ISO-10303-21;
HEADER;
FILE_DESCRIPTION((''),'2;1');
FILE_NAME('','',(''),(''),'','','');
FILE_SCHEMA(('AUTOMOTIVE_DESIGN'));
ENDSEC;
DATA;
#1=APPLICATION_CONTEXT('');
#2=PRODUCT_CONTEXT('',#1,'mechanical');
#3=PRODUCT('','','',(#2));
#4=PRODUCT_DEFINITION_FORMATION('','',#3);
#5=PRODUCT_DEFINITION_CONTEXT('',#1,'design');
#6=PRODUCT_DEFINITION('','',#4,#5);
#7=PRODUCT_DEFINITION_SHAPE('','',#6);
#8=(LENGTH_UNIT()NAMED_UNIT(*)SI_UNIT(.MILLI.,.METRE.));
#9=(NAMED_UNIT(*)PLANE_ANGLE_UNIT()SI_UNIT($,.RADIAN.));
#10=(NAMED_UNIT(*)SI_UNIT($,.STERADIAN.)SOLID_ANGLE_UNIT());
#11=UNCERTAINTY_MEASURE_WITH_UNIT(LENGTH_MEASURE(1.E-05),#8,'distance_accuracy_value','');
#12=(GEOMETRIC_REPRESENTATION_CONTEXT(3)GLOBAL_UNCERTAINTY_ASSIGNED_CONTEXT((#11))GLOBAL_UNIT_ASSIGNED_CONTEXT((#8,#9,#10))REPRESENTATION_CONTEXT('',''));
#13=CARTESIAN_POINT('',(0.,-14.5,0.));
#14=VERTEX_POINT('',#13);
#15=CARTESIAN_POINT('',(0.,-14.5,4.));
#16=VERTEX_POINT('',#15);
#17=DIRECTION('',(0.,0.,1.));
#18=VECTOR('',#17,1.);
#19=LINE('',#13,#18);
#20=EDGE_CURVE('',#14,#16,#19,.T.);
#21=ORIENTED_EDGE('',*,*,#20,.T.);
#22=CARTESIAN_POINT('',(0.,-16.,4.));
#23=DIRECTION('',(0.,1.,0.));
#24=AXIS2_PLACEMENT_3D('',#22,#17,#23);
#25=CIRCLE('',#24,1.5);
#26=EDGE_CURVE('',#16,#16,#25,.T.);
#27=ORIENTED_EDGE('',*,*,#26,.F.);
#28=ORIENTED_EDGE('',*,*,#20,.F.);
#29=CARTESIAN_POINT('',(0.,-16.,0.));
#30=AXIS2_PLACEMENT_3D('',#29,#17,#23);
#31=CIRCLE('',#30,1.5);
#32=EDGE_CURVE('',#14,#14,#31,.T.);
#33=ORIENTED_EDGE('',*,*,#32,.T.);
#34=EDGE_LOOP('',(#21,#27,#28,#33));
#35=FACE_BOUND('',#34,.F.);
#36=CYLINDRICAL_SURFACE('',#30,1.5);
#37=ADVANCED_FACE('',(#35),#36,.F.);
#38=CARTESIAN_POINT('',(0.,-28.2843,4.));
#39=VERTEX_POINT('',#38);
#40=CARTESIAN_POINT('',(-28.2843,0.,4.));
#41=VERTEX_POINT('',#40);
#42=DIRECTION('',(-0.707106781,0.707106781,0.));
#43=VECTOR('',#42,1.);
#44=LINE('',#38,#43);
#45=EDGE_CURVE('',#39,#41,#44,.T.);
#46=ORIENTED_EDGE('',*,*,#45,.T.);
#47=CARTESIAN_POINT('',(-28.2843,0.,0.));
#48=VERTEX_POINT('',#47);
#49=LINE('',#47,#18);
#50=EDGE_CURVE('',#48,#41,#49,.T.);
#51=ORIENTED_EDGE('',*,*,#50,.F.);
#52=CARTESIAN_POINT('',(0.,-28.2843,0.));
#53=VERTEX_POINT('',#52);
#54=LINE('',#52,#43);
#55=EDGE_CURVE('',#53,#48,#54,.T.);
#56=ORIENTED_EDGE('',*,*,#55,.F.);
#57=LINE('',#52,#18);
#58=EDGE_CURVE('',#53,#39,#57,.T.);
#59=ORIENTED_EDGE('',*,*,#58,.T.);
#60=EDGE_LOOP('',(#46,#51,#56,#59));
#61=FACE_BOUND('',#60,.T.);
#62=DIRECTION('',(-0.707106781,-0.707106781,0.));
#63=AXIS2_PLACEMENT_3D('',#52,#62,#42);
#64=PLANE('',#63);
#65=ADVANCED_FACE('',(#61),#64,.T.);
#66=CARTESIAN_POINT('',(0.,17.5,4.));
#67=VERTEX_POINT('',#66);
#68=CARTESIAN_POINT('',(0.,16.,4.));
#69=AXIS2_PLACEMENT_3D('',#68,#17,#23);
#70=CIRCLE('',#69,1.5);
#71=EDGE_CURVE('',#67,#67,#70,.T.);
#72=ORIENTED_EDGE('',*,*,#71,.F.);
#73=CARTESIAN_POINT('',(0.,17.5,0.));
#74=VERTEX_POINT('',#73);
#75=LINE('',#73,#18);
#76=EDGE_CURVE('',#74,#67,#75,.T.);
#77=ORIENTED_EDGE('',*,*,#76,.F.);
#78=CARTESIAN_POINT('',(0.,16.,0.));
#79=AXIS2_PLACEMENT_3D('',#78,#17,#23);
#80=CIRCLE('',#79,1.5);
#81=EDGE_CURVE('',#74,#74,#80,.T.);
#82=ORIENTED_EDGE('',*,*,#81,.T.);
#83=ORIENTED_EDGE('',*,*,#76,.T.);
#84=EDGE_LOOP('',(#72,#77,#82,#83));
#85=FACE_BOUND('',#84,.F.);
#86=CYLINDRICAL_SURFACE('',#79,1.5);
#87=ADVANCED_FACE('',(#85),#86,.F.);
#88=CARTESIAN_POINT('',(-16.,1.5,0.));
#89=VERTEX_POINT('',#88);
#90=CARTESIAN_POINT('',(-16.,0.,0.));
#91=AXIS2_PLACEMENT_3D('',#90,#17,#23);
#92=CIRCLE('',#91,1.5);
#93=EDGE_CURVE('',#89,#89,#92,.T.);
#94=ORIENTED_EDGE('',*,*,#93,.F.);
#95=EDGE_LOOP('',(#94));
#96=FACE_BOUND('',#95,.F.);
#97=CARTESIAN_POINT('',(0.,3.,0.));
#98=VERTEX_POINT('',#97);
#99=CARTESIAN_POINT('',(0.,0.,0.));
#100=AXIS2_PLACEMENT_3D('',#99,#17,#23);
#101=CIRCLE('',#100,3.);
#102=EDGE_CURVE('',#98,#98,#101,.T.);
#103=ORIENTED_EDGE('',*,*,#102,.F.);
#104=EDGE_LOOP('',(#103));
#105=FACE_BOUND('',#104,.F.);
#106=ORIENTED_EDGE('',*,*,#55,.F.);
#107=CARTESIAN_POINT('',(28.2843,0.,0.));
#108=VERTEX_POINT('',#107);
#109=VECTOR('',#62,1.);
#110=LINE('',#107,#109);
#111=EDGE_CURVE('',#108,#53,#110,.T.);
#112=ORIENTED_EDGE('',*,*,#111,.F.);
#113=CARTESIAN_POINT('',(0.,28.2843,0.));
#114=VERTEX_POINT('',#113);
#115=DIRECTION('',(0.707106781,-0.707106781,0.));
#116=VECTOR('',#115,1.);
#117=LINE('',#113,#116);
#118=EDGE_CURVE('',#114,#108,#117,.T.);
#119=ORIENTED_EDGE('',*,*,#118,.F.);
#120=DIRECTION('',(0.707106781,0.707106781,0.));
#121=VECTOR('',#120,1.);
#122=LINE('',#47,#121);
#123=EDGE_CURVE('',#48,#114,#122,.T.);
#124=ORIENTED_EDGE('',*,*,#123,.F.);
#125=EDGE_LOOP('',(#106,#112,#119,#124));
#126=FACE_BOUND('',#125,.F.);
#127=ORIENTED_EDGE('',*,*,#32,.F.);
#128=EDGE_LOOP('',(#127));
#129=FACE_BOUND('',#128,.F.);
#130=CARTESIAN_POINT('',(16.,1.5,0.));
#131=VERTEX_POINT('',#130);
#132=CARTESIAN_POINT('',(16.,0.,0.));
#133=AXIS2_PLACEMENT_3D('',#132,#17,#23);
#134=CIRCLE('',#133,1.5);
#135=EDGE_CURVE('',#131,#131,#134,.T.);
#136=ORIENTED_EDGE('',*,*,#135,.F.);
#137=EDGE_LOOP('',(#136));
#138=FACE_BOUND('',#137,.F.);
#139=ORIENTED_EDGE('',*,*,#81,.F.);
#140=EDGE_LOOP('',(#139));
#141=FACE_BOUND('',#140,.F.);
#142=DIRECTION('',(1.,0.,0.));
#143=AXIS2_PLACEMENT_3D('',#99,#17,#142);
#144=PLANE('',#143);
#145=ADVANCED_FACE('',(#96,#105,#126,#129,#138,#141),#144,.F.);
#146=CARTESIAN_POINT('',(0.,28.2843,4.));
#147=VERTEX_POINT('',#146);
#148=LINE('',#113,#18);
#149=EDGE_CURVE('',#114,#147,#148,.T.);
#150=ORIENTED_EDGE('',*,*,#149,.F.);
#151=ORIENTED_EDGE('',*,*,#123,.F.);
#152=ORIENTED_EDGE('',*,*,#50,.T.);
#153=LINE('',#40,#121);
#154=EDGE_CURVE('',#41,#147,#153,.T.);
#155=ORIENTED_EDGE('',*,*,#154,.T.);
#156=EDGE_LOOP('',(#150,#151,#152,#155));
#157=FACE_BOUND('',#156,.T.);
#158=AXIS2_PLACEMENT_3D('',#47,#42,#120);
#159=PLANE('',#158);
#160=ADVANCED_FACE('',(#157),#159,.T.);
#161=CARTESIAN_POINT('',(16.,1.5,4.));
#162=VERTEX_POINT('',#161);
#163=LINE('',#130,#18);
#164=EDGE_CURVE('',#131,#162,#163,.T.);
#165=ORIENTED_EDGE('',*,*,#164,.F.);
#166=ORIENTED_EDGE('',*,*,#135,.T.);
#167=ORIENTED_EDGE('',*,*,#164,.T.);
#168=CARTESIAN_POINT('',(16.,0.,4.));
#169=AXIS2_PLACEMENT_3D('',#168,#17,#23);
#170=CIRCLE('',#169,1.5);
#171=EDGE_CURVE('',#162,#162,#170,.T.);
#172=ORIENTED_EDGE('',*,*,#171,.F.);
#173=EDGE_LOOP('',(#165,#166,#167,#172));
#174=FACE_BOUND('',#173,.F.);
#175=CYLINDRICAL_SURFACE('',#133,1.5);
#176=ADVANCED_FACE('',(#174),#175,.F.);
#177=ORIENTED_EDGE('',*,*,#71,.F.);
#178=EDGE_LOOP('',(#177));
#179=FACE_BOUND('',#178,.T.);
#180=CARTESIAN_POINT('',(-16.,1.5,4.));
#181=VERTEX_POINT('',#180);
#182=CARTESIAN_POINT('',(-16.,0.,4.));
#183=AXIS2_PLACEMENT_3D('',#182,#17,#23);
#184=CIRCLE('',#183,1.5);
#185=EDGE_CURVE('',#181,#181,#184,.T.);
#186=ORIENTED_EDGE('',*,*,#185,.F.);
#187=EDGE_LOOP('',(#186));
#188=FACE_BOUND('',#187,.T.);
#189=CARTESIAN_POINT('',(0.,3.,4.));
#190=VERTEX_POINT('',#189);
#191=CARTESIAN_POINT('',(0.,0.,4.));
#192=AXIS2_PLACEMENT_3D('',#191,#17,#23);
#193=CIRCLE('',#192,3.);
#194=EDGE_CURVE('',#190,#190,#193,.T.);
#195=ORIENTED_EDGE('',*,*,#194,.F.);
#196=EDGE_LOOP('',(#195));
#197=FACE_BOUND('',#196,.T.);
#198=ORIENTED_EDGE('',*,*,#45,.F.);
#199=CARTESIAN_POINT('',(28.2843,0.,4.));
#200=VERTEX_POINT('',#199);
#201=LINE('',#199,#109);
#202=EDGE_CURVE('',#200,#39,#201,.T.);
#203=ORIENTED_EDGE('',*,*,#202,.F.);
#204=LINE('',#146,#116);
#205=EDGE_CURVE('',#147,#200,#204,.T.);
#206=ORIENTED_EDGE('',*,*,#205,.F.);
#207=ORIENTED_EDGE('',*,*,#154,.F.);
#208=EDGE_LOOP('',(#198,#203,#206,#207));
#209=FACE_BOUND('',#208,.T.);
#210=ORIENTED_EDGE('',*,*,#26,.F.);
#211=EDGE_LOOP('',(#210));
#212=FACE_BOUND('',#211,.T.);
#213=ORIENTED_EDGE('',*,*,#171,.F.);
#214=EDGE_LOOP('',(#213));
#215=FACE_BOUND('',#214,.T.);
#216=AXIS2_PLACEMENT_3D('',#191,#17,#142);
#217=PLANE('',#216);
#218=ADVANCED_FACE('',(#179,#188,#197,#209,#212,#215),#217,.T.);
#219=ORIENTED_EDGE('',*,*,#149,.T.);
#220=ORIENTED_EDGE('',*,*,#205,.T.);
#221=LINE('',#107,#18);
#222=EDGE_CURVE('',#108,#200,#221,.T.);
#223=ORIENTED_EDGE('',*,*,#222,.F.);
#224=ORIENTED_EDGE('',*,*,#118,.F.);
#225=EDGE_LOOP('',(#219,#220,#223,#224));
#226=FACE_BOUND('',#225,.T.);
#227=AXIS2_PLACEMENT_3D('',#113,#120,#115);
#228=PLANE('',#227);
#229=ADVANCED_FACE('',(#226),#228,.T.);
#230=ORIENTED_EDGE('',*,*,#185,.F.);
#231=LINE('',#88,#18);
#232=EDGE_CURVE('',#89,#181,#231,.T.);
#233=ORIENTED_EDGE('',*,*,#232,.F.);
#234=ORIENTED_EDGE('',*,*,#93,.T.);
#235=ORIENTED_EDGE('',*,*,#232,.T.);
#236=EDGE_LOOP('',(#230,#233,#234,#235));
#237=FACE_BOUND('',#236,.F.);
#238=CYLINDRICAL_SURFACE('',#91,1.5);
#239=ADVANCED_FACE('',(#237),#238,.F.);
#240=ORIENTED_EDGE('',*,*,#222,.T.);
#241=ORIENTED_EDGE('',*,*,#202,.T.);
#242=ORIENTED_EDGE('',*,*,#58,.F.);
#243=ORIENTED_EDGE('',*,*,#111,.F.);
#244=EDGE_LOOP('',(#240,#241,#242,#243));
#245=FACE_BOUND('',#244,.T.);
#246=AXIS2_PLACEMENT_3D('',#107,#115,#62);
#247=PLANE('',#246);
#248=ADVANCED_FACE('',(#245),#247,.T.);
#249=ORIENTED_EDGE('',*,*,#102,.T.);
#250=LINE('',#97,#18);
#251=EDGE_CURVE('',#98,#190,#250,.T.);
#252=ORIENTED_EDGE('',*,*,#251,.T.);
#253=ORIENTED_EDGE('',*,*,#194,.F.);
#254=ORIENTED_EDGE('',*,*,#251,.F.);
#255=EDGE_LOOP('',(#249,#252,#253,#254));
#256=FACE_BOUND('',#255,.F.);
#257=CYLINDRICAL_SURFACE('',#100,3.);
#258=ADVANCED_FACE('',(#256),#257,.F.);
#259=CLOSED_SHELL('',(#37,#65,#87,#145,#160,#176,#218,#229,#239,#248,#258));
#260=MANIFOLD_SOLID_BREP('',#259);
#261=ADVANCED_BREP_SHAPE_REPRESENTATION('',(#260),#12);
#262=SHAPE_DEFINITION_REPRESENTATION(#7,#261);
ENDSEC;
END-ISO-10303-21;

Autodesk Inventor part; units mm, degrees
ref_plane "YZ Plane" through (0, 0, 0) normal (1, 0, 0) x (0, 1, 0)
ref_plane "XZ Plane" through (0, 0, 0) normal (0, 1, 0) x (-1, 0, 0)
ref_plane "XY Plane" through (0, 0, 0) normal (0, 0, 1) x (1, 0, 0)
sketch "Náčrt1" plane through (0, 0, 0) normal (0, 0, 1) x (1, 0, 0)
  line L0 (-28.2843, 0) -> (0, 28.2843)
  line L1 (0, 28.2843) -> (28.2843, 0)
  line L2 (28.2843, 0) -> (0, -28.2843)
  line L3 (0, -28.2843) -> (-28.2843, 0)
  line L4 (-28.2843, 0) -> (28.2843, 0) construction
  line L5 (0, 28.2843) -> (0, -28.2843) construction
  line L6 (-28.2843, 0) -> (11.7157, 0) construction
  line L7 (0, 39.598) -> (0, -39.598) projected
  line L8 (-39.598, 0) -> (39.598, 0) projected
  point P0 (0, 0)
  point P1 (-16, 0)
  point P2 (16, 0)
  point P3 (0, 0)
  point P4 (0, 16)
  point P5 (0, -16)
  point P6 (0, 0)
  point P7 (0, 0)
  dimension "d0" = 40
  dimension "d2" = 40
  dimension "d3" = 32
  dimension "d4" = 16
  dimension "d5" = 32
  dimension "d6" = 16
  dimension "d9" = 90
  dimension "d10" = 90
extrude "Vysunutí1" add sketch "Náčrt1" along normal blind 4
hole "Díra1" at (-16, 0, 0) at (16, 0, 0) at (0, 16, 0) at (0, -16, 0) direction (0, 0, 1) diameter 3 end through all
hole "Díra2" at (0, 0, 0) direction (0, 0, 1) diameter 6 end through all
equation "\"d4\" = 0.5 * d3"
equation "\"d6\" = 0.5 * d5"
properties part number "drzakmotoru_nový"
